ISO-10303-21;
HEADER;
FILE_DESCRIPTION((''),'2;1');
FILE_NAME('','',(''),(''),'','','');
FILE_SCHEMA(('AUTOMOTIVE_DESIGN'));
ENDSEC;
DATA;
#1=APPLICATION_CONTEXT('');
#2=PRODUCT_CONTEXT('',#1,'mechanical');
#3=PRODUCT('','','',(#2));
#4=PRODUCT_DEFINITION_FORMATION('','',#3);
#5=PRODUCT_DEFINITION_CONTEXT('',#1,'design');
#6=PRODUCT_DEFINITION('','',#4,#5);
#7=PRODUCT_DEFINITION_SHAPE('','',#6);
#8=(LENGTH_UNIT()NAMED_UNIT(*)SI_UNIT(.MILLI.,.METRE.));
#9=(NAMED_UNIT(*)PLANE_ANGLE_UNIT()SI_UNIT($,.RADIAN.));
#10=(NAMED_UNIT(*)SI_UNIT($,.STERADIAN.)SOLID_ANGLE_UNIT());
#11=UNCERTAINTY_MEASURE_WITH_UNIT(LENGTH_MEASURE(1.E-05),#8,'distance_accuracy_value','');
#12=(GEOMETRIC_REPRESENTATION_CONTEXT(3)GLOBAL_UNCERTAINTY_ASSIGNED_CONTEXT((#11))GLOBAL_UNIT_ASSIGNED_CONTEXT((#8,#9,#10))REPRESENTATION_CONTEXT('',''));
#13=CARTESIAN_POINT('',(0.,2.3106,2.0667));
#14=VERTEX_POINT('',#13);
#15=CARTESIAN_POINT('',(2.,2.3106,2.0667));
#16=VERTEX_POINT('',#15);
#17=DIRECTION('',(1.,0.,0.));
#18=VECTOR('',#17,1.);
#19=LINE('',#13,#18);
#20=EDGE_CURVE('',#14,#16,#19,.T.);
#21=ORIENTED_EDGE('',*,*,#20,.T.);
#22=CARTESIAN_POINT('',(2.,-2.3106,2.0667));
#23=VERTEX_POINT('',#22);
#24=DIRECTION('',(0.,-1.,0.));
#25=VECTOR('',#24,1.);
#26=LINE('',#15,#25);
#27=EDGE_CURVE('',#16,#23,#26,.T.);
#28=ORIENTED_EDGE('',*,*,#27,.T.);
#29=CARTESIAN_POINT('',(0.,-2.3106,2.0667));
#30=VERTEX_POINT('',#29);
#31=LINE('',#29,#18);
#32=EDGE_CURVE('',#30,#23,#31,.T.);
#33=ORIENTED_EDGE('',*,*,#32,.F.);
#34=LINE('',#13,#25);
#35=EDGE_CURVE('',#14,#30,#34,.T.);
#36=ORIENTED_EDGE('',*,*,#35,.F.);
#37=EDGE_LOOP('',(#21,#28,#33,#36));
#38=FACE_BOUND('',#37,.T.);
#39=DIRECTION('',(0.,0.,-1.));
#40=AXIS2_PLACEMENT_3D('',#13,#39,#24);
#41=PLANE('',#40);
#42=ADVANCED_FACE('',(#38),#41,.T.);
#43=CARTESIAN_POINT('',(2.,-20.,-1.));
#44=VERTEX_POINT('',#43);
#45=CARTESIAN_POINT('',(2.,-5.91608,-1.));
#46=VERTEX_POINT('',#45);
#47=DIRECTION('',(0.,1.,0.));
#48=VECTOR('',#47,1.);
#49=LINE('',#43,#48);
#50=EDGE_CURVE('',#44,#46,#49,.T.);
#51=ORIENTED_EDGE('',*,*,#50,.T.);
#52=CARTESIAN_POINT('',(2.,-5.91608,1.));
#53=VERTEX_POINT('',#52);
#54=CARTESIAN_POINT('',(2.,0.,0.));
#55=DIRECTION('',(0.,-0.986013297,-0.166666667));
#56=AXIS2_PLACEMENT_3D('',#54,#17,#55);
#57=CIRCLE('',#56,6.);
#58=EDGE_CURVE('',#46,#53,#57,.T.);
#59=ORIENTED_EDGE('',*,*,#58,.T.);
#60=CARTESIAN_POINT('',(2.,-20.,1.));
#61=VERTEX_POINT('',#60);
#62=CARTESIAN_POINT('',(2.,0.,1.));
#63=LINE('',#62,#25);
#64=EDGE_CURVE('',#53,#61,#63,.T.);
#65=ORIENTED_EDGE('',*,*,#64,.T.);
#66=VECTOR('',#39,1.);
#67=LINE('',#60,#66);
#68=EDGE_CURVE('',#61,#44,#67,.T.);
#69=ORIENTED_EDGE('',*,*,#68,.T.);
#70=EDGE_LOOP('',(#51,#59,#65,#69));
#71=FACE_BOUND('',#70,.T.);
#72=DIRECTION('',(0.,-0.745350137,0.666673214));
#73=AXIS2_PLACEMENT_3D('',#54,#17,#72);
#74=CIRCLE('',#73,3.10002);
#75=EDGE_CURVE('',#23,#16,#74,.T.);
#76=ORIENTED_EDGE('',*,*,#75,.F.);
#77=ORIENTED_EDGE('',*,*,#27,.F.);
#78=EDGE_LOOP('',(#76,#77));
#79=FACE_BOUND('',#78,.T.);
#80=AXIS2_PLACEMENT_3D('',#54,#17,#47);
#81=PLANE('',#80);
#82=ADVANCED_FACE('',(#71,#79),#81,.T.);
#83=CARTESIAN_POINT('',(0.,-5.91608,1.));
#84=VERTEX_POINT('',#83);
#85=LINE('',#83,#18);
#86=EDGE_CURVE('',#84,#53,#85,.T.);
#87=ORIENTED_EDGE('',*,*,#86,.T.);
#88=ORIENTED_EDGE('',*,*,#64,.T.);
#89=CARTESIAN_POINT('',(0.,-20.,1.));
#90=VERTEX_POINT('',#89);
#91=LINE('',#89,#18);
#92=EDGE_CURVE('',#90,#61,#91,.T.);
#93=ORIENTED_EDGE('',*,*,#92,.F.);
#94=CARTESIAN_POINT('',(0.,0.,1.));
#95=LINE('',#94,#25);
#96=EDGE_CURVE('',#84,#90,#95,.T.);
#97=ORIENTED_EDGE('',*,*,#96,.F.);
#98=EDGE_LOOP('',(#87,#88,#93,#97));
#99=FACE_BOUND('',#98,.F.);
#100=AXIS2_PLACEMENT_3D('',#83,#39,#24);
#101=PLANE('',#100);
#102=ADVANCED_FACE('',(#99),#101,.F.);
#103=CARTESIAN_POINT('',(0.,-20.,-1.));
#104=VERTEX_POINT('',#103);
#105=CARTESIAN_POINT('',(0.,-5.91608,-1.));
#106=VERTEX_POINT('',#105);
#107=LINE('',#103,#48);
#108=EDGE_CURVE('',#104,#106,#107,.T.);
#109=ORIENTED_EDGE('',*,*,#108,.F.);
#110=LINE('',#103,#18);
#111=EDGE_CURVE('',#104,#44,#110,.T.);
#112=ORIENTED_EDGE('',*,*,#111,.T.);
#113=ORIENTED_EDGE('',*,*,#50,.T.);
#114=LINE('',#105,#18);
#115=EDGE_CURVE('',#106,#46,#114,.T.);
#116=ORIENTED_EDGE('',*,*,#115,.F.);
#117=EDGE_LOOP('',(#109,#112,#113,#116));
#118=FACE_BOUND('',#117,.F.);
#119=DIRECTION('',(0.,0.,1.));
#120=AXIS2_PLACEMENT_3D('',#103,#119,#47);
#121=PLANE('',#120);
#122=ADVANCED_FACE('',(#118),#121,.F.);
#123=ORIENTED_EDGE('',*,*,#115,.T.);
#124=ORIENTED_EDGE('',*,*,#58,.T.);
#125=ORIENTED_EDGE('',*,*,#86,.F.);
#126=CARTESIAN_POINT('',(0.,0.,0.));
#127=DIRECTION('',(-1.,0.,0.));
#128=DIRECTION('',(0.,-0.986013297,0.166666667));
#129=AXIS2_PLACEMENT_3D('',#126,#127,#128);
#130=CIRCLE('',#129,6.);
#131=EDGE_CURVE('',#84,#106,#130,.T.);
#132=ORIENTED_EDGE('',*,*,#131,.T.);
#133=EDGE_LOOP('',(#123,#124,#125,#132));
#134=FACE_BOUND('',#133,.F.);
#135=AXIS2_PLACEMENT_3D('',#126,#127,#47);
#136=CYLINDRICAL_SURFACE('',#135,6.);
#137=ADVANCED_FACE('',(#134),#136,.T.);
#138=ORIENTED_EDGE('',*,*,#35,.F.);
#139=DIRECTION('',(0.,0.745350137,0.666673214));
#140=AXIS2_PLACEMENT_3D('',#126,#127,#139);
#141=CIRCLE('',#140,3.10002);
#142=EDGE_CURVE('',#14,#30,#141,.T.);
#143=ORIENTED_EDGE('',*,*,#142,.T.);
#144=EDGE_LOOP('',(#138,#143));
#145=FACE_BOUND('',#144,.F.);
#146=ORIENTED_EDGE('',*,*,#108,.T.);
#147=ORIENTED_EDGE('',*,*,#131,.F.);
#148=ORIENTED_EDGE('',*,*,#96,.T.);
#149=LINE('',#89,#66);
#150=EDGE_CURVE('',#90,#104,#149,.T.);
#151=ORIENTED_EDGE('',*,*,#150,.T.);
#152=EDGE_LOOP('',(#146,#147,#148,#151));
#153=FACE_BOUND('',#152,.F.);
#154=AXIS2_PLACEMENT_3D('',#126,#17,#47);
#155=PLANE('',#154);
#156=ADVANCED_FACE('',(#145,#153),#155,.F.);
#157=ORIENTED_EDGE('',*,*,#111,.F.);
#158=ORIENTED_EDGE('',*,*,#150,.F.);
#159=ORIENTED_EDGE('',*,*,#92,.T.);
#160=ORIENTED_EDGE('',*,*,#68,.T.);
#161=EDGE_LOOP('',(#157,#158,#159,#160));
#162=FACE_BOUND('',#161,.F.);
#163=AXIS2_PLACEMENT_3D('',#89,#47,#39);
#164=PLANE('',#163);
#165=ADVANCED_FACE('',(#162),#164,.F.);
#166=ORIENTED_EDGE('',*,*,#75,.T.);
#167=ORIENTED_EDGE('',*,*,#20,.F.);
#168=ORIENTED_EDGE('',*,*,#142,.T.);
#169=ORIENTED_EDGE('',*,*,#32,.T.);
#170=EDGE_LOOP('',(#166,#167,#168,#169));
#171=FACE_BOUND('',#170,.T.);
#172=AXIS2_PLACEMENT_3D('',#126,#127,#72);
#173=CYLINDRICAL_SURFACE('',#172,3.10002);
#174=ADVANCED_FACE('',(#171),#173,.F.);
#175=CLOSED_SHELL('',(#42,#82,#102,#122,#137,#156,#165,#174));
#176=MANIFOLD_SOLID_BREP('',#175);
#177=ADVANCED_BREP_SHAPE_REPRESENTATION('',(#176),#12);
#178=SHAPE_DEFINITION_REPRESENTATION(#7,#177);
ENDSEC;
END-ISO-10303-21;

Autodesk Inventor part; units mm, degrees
ref_plane "YZ Plane" through (0, 0, 0) normal (1, 0, 0) x (0, 1, 0)
ref_plane "XZ Plane" through (0, 0, 0) normal (0, 1, 0) x (-1, 0, 0)
ref_plane "XY Plane" through (0, 0, 0) normal (0, 0, 1) x (1, 0, 0)
sketch "Sketch1" plane through (0, 0, 0) normal (1, 0, 0) x (0, 1, 0)
  arc A0 (-2.3106, 2.0667) -> (2.3106, 2.0667) centre (0, 0) ccw
  circle A1 centre (0, 0) radius 6
  line L0 (-3.1, 0) -> (-3.1, 2) construction
  line L1 (2.3106, 2.0667) -> (-2.3106, 2.0667)
  line L2 (0, 1) -> (-20, 1)
  line L3 (-20, 1) -> (-20, -1)
  line L4 (-20, -1) -> (0, -1)
  line L5 (0, -1) -> (0, 1)
  point P0 (-5.9161, -1)
  point P1 (-5.9161, 1)
  dimension "d0" = 6.2
  dimension "d1" = 12
  dimension "d2" = 2
  dimension "d5" = 1
  dimension "d6" = 2
  dimension "d7" = 20
extrude "Extrusion1" add sketch "Sketch1" along normal blind 2 contours A0 L2 A1 L4 L1 | A0 L4 A1 L2 | A1 L4 L3 L2
equation "\"d6\" = 2 * d5"
properties part number "tarcza krańcówek"
